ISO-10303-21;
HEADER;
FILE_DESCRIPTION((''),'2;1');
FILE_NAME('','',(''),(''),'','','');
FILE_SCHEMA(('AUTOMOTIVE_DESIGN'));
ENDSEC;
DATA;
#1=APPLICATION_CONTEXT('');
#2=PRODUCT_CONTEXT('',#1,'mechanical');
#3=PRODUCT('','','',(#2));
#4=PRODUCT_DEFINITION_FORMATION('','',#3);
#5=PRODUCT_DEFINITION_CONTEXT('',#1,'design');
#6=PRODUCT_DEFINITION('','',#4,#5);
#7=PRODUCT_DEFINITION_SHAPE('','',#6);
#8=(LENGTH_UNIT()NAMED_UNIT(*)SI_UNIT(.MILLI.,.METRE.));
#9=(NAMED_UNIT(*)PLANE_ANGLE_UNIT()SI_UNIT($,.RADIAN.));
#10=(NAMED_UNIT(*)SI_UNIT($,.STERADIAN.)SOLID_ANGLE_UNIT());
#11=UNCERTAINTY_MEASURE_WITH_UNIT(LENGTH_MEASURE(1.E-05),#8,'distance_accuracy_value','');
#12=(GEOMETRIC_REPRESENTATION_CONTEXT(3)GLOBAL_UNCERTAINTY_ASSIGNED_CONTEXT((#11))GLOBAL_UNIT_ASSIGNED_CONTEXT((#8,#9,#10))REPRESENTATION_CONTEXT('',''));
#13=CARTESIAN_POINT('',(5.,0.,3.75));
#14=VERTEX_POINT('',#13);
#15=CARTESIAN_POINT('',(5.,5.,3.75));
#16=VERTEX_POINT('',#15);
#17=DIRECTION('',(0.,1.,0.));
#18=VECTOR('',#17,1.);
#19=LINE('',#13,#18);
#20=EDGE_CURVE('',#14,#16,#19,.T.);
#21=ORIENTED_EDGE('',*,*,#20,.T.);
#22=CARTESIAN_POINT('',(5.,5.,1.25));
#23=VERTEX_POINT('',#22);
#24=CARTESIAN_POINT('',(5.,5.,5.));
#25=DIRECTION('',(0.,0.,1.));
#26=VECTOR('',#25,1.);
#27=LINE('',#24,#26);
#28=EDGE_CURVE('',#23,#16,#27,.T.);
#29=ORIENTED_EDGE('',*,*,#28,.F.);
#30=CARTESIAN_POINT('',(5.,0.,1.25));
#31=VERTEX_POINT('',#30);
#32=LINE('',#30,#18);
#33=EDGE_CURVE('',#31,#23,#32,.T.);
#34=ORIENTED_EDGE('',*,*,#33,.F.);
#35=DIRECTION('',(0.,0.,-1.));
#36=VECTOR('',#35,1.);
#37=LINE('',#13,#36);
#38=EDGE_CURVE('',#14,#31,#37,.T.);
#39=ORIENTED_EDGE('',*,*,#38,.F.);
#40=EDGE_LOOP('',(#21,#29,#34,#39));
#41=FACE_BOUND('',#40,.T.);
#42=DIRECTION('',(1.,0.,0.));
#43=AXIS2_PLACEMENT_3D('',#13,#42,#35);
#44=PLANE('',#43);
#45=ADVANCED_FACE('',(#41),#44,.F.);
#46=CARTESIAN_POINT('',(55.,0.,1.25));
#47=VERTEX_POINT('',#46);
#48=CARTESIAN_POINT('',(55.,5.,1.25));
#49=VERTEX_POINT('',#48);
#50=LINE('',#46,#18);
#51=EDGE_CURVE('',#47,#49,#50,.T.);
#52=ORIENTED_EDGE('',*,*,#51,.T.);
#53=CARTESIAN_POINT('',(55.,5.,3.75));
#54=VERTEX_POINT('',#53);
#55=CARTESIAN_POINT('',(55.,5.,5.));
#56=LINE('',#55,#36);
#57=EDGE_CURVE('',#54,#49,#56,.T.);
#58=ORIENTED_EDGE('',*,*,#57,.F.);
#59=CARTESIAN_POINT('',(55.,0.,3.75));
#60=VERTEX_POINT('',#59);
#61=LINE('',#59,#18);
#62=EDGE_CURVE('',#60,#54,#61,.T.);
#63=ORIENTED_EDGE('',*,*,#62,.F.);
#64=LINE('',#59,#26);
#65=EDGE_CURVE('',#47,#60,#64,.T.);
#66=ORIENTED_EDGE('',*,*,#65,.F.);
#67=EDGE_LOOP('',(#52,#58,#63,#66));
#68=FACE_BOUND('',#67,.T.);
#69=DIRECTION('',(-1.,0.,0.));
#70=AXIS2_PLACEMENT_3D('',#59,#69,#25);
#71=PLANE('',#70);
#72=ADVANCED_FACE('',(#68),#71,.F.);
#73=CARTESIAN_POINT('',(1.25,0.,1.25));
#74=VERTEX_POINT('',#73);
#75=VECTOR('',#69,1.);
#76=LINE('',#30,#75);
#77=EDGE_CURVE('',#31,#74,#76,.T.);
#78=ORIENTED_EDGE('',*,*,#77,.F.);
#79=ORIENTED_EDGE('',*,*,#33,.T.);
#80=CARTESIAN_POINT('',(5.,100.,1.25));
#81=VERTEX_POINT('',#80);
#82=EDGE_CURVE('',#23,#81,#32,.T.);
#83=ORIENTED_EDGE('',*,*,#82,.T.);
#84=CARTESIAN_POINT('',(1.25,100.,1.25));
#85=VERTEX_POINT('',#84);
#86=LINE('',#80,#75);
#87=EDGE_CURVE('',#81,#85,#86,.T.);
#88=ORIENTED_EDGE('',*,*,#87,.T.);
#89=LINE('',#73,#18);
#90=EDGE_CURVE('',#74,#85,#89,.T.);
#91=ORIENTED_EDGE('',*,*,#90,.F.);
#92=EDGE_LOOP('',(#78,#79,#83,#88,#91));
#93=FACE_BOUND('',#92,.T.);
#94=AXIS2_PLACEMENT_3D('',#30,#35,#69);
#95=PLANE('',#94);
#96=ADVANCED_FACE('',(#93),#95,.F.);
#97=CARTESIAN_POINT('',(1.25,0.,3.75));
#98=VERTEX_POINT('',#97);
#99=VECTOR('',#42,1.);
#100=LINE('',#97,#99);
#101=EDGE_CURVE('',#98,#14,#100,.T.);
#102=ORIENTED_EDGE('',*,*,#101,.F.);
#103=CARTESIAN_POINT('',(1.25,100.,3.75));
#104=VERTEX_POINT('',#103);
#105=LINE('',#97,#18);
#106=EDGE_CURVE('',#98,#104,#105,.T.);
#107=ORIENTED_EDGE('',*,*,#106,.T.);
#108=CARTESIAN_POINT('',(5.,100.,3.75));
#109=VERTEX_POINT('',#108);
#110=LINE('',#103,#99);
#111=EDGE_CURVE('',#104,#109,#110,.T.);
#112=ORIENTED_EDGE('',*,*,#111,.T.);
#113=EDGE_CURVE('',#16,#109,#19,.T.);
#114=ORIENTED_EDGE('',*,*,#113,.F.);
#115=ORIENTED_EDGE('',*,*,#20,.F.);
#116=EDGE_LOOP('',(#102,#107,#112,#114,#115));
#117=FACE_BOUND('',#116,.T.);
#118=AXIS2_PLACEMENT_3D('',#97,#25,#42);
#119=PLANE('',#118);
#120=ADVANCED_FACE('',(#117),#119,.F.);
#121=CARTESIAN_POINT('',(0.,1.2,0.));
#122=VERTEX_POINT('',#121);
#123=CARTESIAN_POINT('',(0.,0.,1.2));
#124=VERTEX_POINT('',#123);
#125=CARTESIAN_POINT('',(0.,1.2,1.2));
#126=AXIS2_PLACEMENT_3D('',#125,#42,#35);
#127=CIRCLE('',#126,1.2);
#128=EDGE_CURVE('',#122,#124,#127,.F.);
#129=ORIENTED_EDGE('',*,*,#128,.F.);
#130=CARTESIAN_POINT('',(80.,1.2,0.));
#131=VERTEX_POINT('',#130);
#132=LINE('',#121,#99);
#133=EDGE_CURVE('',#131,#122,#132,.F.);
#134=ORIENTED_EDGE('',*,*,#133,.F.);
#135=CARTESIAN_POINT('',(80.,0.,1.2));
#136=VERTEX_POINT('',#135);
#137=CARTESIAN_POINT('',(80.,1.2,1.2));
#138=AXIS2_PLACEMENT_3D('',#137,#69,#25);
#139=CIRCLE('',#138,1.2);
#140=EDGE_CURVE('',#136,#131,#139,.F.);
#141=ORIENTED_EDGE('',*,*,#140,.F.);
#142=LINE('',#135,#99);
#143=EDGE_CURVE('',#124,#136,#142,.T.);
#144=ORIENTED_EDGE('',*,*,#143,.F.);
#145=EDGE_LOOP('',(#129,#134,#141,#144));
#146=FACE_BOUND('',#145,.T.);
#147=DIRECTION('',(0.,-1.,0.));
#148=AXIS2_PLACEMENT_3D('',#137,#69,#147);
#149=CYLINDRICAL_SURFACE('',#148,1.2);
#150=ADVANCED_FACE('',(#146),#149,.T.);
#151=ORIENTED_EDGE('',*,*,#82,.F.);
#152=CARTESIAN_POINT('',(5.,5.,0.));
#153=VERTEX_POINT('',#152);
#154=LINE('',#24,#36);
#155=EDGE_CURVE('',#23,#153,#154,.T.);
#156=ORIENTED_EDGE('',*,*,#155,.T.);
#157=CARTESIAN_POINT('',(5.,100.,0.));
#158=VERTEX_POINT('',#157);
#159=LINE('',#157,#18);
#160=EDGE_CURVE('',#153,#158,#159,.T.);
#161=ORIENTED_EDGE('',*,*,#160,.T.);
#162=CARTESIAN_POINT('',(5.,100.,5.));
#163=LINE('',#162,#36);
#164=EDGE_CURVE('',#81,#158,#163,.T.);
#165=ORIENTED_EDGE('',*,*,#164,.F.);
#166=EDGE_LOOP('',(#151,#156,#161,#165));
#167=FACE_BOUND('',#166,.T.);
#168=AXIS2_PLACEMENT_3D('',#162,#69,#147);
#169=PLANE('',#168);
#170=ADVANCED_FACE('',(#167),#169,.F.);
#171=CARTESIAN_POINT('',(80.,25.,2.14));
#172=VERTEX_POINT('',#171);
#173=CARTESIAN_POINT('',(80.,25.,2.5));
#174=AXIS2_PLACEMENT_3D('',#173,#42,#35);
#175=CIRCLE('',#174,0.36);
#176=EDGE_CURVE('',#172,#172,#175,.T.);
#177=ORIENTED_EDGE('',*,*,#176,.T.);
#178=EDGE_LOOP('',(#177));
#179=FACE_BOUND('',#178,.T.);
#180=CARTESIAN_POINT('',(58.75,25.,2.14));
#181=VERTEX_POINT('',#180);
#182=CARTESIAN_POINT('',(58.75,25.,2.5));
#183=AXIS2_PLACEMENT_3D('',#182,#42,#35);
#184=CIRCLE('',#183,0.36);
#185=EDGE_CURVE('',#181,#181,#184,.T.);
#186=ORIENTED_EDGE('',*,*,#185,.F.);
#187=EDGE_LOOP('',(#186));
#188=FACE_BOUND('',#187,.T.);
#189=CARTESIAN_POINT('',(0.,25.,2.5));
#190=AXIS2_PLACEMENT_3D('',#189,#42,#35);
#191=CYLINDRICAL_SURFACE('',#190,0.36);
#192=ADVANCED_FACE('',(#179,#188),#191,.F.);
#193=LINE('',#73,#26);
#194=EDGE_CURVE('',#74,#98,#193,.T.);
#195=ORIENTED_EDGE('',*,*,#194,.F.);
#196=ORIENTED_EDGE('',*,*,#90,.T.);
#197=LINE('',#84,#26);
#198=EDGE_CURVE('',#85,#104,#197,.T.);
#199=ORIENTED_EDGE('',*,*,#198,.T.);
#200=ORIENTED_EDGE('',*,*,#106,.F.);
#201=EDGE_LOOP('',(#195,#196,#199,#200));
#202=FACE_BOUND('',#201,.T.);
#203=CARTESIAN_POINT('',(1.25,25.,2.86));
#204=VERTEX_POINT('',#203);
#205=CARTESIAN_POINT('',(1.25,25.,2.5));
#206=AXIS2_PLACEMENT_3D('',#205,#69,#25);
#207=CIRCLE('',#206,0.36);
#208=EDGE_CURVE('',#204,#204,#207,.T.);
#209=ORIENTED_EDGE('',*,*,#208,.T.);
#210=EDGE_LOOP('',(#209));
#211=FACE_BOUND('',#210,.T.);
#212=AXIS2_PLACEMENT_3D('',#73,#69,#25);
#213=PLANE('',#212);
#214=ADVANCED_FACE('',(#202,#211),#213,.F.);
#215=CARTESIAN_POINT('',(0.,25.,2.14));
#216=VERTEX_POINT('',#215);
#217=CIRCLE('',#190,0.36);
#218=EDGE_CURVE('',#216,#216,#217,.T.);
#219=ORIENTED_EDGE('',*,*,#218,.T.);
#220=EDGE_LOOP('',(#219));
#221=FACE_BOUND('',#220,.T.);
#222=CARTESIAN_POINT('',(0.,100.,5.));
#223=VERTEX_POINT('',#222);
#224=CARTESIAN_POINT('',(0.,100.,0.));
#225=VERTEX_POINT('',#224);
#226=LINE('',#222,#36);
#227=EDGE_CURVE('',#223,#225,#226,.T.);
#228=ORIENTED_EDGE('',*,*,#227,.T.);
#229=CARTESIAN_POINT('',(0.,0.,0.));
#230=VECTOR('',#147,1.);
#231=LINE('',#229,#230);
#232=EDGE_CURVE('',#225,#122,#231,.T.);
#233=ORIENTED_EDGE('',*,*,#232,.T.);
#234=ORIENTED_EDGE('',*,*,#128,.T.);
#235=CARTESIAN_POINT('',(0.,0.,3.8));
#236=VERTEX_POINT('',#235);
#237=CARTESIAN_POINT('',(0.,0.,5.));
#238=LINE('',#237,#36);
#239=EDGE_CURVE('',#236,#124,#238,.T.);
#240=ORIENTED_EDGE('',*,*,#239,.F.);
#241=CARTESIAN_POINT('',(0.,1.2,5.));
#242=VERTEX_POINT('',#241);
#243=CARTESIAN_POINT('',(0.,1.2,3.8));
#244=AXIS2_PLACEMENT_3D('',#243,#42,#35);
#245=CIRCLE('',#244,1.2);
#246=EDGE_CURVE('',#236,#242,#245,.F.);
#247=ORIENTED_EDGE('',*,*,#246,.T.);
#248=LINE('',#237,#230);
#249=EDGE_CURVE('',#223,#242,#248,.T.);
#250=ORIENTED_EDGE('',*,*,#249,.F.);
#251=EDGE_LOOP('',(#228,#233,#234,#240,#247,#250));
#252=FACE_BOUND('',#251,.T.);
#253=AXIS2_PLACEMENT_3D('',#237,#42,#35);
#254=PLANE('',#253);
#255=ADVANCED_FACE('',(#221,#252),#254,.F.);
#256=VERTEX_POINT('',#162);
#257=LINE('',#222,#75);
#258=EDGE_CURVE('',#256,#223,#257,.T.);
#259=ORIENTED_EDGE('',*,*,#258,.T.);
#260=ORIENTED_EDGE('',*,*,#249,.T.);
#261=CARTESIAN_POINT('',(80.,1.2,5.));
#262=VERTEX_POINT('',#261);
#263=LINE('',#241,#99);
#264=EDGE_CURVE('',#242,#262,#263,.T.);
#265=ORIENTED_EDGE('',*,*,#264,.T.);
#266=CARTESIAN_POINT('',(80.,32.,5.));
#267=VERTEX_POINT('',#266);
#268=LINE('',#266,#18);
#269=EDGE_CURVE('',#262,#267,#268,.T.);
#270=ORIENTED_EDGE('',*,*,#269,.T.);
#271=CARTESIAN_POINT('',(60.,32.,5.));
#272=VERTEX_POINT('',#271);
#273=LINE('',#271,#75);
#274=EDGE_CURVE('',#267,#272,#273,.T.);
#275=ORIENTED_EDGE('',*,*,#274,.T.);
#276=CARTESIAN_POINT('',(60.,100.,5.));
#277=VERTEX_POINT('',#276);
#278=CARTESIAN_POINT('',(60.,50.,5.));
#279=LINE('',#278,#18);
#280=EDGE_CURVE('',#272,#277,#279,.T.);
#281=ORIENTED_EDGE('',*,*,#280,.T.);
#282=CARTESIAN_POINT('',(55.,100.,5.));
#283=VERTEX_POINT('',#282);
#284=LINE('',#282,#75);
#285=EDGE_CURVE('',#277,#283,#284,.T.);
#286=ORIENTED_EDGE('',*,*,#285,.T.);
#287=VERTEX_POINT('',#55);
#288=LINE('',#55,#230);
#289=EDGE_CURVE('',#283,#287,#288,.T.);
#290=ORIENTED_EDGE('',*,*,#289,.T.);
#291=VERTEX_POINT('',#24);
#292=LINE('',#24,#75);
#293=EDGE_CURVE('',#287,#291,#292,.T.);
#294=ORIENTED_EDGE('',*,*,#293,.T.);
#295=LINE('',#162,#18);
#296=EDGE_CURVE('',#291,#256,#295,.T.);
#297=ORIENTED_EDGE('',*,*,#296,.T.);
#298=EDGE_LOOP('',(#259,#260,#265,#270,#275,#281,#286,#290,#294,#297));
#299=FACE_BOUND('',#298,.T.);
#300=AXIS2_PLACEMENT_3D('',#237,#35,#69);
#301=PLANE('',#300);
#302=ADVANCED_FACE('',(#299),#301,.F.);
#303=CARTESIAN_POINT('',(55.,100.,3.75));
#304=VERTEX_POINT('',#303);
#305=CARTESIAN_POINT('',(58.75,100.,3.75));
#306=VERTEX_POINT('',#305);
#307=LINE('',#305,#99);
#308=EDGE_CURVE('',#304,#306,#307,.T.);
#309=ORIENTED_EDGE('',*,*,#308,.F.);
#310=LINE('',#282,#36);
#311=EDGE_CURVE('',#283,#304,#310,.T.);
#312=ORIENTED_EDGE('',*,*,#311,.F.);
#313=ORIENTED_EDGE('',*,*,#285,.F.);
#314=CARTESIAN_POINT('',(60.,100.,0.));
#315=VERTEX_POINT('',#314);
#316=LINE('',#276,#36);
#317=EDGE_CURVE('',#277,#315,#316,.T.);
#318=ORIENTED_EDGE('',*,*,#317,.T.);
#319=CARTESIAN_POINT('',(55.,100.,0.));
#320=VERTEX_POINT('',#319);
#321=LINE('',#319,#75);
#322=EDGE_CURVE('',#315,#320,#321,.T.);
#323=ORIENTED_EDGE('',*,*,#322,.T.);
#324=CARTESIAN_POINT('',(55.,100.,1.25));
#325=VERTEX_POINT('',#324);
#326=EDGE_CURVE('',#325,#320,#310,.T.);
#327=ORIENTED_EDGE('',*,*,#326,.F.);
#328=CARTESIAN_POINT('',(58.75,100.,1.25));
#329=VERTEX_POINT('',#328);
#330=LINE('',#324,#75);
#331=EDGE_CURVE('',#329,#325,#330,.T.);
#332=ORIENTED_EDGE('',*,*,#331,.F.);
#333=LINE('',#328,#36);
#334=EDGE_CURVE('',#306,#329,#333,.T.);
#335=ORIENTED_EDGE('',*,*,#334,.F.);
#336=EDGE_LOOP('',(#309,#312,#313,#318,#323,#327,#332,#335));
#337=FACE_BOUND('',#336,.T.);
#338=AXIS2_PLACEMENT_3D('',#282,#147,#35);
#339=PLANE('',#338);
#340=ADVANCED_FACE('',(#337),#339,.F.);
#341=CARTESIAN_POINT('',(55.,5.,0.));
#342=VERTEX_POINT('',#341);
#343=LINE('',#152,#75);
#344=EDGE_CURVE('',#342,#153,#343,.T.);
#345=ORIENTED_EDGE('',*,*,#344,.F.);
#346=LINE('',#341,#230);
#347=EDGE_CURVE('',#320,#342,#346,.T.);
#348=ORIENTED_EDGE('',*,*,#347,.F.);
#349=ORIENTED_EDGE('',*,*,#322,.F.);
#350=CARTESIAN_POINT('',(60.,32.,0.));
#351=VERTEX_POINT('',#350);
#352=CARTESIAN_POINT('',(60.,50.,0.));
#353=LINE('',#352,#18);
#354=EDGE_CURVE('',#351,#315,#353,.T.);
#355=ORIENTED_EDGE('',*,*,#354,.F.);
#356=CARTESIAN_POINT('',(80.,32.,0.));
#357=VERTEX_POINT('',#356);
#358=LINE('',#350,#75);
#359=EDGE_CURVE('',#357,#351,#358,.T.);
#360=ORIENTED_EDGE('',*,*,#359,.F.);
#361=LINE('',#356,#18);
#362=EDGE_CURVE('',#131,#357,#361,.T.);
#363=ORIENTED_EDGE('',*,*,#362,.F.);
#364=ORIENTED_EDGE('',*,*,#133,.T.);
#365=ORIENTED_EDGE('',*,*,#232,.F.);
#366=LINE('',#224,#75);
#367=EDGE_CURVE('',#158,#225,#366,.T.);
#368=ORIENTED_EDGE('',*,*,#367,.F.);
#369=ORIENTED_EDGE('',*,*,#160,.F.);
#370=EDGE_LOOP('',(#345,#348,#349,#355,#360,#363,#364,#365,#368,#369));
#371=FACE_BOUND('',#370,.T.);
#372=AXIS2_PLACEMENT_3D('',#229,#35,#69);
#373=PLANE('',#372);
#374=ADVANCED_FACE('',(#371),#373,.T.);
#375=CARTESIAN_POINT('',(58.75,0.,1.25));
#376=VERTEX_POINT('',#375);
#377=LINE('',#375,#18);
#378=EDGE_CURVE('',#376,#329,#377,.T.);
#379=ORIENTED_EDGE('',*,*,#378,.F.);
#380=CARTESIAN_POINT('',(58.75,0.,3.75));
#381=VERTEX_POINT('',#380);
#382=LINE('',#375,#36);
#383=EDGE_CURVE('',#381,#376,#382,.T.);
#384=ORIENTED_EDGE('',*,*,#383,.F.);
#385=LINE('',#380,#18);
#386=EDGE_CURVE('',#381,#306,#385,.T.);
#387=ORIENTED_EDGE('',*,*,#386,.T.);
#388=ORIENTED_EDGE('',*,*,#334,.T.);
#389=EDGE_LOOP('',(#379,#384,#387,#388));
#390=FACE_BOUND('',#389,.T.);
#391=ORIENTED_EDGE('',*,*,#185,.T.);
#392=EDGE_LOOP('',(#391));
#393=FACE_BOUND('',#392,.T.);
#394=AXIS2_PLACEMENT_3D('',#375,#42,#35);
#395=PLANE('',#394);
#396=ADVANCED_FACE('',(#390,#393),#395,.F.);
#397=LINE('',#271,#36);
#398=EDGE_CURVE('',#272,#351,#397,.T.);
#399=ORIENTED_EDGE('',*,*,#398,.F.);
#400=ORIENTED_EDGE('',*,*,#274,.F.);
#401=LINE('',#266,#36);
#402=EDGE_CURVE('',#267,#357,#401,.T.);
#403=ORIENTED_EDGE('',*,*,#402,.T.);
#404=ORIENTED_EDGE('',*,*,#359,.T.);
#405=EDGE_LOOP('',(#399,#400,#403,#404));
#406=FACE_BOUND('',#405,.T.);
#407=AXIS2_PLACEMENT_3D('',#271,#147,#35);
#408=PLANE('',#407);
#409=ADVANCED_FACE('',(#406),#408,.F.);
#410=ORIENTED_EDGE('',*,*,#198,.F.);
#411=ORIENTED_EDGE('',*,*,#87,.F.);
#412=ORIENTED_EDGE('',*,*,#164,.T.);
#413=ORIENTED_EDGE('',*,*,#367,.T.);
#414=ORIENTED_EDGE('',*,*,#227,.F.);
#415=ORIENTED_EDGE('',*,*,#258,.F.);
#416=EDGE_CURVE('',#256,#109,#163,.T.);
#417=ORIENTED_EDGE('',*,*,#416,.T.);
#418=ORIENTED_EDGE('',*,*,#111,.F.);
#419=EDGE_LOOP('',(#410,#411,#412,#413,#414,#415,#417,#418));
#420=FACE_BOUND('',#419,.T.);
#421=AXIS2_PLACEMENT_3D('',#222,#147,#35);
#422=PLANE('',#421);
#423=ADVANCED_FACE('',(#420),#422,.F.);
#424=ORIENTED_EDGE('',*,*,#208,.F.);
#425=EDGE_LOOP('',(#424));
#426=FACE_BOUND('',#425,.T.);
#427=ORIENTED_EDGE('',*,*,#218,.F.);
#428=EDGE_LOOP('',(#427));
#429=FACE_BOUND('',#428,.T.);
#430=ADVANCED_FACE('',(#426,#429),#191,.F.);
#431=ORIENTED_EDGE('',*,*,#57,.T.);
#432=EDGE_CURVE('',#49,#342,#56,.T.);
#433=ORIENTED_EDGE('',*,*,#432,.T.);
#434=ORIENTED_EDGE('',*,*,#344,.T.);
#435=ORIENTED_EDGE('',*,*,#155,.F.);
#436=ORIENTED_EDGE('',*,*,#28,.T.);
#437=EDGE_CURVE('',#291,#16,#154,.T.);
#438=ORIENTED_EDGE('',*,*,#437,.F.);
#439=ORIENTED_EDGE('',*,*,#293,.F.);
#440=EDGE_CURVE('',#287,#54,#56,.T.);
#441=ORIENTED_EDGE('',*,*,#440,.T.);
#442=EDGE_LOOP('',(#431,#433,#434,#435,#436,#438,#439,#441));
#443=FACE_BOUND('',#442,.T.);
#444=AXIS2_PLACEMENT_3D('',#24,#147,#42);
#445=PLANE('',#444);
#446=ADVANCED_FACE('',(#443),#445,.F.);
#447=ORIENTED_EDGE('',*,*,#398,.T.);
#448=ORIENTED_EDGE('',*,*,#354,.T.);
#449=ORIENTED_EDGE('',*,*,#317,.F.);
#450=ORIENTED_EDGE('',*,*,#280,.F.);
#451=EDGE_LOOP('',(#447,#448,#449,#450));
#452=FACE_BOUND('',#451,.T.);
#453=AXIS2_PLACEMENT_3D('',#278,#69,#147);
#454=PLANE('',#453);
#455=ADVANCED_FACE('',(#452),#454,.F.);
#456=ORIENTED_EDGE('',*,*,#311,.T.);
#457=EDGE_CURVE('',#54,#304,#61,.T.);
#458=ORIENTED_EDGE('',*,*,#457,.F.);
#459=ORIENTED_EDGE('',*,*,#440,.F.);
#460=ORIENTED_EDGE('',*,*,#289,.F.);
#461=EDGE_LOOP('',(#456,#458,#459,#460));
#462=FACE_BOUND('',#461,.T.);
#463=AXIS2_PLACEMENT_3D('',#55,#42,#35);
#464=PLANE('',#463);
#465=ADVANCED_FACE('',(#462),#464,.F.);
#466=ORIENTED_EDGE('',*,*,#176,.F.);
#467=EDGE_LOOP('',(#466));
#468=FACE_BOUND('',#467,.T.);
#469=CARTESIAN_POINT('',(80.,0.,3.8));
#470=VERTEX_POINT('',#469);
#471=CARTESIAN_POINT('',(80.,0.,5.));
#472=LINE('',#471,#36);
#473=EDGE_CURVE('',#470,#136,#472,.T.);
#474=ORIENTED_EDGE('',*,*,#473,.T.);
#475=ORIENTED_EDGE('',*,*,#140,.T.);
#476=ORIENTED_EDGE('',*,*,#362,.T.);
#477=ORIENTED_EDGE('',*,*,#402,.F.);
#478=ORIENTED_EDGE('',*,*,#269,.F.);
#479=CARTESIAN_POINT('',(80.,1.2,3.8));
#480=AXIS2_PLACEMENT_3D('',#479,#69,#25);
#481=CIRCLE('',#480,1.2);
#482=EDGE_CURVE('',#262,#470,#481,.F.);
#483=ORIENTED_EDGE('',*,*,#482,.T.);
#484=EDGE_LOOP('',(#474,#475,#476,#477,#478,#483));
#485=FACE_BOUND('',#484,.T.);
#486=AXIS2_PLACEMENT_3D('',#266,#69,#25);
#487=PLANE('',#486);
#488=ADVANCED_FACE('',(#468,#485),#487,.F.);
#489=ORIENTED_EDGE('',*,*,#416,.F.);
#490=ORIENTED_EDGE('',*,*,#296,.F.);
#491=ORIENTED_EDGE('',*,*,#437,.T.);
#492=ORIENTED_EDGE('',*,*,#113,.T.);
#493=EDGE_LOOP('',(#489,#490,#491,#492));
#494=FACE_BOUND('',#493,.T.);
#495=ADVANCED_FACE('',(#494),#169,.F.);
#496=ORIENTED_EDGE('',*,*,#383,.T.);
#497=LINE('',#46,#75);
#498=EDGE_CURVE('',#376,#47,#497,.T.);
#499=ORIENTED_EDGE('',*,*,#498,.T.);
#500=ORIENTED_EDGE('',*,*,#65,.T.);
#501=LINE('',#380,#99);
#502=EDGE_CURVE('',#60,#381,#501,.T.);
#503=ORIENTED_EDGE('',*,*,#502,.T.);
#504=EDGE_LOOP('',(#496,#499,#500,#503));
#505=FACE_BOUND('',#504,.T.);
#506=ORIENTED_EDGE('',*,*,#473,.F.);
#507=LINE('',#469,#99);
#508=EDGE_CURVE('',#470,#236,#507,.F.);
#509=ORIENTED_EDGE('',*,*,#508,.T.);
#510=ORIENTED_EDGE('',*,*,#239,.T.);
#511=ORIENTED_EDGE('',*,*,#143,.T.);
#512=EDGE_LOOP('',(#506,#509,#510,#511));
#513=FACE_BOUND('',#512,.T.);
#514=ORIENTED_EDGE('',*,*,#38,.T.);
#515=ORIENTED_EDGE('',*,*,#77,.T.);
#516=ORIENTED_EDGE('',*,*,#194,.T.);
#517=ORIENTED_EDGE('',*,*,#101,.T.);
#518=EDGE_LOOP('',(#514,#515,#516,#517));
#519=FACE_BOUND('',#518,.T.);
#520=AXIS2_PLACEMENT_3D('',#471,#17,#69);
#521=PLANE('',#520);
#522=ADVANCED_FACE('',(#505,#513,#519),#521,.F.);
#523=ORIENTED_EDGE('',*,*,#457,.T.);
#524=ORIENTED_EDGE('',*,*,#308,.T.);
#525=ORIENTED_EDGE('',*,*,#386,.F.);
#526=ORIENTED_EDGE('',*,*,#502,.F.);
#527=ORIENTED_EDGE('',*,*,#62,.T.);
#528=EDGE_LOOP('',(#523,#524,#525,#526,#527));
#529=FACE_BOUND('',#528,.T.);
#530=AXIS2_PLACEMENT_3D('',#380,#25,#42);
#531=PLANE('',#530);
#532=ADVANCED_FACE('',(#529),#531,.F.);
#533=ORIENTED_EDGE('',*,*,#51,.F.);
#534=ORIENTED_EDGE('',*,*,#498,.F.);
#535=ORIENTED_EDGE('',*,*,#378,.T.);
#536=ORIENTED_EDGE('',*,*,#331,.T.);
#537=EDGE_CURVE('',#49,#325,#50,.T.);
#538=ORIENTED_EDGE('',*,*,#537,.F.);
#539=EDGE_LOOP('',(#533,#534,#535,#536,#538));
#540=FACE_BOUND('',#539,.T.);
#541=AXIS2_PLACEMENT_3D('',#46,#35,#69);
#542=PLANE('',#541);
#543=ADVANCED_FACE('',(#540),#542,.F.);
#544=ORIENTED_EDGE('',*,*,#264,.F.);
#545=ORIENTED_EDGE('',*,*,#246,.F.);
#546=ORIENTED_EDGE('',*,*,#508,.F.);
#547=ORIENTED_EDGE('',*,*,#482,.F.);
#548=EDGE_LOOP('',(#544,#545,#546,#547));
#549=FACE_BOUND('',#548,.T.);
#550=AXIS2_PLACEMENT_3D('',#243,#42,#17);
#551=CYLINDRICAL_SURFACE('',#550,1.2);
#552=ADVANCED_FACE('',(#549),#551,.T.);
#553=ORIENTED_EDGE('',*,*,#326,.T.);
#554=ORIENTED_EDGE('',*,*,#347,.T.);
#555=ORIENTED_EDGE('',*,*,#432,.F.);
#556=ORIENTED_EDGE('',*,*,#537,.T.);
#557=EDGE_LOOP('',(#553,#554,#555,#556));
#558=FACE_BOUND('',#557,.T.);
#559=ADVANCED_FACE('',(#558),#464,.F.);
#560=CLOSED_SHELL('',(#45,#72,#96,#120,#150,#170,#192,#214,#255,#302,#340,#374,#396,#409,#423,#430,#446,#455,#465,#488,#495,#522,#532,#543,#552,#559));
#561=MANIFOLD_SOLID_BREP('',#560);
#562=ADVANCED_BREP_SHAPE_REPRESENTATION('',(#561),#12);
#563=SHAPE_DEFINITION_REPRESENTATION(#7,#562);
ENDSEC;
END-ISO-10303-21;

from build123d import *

# Parameters (mm, degrees)
BOSS_EXTRUDE1_DEPTH = 5
SKETCH4_W           = 3.75
SKETCH4_H           = 2.5
CUT_EXTRUDE2_DEPTH  = 101
SKETCH5_R           = 0.36
CUT_EXTRUDE3_DEPTH  = 81
FILLET1_R           = 1.2
FILLET2_R           = 1.2


with BuildPart() as part:
    # Sketch1 → Boss-Extrude1 (new body)
    with BuildSketch(Plane.XY):
        Polygon((0, 0), (0, 100), (5, 100), (5, 5), (55, 5), (55, 100), (60, 100), (60, 50), (60, 32), (80, 32), (80, 0), align=None)
    extrude(amount=BOSS_EXTRUDE1_DEPTH)

    # Sketch4 → Cut-Extrude2 (cut, through all)
    with BuildSketch(Plane(origin=(0, 100, 0), x_dir=(1, 0, 0), z_dir=(0, 1, 0))):
        with Locations((56.875, -2.5)):
            Rectangle(SKETCH4_W, SKETCH4_H)
        with Locations((3.125, -2.5)):
            Rectangle(SKETCH4_W, SKETCH4_H)
    extrude(amount=-CUT_EXTRUDE2_DEPTH, mode=Mode.SUBTRACT)

    # Sketch5 → Cut-Extrude3 (cut, through all)
    with BuildSketch(Plane(origin=(80, 0, 0), x_dir=(0, 0, -1), z_dir=(1, 0, 0))):
        with Locations((-2.5, 25)):
            Circle(SKETCH5_R)
    extrude(amount=-CUT_EXTRUDE3_DEPTH, mode=Mode.SUBTRACT)

    # Fillet1
    fillet1_edges = [part.edges().sort_by_distance(p)[0] for p in [
        (40, 0, 0),
    ]]
    fillet(fillet1_edges, radius=FILLET1_R)

    # Fillet2
    fillet2_edges = [part.edges().sort_by_distance(p)[0] for p in [
        (40, 0, 5),
    ]]
    fillet(fillet2_edges, radius=FILLET2_R)


solid = part.part
